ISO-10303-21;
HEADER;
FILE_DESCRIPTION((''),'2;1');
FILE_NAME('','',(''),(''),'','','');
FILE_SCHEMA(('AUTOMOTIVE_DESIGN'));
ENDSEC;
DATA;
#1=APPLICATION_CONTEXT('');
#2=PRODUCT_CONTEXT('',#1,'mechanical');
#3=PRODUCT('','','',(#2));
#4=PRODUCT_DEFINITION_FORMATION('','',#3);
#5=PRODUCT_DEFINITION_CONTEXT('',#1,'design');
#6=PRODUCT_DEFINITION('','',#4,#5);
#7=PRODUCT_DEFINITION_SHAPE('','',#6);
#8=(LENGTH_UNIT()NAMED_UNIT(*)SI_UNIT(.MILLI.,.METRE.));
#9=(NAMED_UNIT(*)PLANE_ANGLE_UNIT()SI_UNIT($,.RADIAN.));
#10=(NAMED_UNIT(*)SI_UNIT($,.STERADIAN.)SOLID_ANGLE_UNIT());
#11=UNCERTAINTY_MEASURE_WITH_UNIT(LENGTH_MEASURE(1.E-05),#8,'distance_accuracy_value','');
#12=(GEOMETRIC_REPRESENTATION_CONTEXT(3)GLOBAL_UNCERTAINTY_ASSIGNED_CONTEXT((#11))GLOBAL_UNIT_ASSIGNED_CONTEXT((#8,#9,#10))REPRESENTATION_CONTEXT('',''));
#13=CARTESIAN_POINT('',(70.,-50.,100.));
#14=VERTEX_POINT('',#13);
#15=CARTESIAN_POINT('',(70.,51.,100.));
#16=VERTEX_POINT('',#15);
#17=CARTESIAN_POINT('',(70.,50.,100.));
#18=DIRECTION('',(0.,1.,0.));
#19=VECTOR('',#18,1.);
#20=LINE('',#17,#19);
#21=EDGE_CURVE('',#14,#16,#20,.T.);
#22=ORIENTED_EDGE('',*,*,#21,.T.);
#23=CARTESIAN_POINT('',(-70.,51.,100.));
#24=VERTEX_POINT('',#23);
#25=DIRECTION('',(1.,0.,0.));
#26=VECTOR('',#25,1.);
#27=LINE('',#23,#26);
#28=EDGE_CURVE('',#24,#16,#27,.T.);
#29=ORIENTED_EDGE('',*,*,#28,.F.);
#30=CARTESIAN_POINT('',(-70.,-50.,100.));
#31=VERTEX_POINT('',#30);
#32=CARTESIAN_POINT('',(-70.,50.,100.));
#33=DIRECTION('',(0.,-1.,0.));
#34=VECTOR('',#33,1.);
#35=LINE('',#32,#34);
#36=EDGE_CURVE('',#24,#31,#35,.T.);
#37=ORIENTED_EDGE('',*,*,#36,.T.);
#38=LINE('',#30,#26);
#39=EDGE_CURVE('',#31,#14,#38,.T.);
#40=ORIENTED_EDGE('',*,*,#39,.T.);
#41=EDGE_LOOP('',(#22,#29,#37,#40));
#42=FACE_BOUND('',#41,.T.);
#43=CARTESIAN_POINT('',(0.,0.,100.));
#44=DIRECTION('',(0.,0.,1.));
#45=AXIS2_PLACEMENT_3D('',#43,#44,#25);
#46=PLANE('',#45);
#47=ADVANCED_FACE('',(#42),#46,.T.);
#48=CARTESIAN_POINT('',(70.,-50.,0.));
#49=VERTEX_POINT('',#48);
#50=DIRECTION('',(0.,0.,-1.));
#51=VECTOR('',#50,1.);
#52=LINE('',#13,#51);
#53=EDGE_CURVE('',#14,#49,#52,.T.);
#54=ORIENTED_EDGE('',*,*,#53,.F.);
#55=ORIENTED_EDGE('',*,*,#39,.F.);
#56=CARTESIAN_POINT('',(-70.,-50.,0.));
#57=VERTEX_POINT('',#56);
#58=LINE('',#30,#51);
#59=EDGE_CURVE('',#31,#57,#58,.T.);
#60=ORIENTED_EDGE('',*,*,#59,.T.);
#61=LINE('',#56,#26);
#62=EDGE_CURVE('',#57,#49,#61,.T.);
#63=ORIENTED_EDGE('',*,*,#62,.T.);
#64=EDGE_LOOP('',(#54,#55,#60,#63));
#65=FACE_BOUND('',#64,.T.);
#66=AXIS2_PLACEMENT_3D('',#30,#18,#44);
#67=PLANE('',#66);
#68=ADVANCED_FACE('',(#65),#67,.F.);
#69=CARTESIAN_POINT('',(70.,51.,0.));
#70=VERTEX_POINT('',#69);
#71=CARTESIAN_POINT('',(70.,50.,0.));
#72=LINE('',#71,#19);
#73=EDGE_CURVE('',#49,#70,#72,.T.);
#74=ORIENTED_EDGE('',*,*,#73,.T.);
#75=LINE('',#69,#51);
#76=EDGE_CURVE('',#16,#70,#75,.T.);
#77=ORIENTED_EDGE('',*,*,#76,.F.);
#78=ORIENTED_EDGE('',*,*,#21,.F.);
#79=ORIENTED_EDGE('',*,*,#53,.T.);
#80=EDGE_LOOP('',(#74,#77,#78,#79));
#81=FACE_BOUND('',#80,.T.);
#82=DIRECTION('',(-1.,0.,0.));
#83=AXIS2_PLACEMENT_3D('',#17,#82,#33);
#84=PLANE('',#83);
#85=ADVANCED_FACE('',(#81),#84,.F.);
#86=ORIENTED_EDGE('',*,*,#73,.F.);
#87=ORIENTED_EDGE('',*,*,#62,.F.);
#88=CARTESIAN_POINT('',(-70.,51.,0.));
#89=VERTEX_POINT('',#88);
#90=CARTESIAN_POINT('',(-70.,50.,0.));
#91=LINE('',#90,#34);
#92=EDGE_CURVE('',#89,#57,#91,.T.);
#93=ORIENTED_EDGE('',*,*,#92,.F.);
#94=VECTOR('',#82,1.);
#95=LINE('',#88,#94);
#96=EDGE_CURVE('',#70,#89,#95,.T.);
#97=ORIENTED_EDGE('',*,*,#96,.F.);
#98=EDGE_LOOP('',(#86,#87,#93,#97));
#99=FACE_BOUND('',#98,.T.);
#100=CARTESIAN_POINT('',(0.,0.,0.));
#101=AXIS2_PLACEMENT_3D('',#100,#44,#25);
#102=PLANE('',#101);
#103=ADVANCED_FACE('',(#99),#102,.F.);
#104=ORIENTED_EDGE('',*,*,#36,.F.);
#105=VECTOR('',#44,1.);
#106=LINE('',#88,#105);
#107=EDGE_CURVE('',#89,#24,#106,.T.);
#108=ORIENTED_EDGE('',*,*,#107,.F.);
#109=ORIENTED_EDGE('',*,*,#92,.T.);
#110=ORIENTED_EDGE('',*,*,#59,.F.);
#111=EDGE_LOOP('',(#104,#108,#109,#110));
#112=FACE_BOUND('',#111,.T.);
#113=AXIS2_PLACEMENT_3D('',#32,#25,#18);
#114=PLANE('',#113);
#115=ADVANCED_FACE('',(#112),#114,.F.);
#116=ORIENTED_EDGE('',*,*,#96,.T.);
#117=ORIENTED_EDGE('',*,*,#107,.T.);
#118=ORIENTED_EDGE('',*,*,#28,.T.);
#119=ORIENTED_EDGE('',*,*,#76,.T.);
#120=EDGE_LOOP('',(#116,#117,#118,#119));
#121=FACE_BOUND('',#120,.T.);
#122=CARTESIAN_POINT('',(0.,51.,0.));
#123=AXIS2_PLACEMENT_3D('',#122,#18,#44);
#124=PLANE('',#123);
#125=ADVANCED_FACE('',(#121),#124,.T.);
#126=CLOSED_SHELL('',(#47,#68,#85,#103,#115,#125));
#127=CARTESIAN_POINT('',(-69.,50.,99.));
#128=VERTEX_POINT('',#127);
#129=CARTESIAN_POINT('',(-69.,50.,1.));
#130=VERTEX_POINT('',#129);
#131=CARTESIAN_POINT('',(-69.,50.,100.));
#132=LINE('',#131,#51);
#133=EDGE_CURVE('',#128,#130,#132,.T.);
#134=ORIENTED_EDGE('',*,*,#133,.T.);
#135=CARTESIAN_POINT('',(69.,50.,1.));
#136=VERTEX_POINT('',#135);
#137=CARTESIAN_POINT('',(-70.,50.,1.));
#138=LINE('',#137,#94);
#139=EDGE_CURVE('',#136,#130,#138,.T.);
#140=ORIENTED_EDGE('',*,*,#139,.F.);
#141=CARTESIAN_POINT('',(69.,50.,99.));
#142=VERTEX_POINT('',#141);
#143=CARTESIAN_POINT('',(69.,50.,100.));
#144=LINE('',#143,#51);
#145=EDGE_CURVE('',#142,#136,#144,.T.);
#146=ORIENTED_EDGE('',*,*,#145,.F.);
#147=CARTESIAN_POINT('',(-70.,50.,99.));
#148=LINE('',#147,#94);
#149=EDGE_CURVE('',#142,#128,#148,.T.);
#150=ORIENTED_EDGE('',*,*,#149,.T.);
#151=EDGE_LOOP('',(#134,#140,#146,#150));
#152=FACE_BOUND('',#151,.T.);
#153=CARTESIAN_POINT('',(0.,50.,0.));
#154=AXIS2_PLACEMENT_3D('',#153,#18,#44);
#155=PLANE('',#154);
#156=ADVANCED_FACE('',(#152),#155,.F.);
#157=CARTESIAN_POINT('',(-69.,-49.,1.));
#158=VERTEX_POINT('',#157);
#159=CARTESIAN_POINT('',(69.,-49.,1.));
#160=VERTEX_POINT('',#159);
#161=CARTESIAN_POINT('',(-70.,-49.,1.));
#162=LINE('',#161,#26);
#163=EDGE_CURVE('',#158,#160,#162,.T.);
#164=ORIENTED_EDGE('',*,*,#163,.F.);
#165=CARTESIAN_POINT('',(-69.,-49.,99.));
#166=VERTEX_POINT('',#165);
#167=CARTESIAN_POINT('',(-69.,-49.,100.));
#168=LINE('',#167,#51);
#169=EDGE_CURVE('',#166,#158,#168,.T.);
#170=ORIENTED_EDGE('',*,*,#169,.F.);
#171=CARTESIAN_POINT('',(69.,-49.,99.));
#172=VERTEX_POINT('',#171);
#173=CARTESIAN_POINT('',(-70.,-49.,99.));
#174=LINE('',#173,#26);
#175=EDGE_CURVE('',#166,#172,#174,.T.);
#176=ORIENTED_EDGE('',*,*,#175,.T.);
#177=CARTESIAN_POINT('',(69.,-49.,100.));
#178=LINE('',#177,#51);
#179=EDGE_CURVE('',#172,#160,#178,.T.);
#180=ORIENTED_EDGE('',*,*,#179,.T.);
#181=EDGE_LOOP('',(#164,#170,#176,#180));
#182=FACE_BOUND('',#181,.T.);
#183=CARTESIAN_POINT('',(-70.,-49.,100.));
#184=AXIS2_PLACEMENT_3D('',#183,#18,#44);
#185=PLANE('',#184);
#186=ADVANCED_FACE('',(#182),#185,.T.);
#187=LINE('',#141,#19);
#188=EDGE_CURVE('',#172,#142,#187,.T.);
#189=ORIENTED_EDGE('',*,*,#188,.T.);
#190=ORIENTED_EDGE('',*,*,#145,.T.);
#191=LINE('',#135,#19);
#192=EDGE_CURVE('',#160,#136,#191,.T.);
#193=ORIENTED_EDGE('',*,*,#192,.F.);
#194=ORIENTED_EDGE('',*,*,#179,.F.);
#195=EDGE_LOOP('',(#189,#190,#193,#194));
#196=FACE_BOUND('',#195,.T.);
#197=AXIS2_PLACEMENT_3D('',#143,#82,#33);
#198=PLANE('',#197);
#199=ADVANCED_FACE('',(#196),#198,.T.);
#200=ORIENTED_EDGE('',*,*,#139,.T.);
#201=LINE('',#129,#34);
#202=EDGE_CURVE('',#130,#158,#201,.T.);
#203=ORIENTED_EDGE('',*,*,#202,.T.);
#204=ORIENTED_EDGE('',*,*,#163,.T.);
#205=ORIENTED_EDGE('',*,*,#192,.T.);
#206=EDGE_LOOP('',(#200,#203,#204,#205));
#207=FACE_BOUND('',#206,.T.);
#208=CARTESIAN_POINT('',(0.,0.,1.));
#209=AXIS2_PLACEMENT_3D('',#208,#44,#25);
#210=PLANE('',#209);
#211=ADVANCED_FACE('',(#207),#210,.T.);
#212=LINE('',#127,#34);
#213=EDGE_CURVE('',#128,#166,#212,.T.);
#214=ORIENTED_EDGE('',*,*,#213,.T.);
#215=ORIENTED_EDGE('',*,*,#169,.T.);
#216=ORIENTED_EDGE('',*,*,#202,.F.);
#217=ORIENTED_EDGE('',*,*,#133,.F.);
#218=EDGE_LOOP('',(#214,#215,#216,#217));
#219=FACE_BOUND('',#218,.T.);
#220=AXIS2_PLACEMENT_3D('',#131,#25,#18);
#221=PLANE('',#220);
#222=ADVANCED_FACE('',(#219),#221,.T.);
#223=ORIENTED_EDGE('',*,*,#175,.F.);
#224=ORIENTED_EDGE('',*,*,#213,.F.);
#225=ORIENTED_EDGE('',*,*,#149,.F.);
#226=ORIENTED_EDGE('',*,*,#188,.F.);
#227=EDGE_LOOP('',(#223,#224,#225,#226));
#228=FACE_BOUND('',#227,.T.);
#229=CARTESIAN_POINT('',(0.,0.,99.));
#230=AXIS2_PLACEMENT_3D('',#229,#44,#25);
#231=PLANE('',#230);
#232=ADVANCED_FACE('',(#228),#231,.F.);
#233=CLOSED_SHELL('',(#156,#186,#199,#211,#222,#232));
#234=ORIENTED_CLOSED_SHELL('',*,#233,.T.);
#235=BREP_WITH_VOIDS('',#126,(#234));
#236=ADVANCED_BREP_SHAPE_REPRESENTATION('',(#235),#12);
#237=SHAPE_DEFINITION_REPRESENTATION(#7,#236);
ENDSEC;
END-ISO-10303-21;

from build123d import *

# Parameters (mm, degrees)
SKETCH1_W           = 140
SKETCH1_H           = 100
BOSS_EXTRUDE1_DEPTH = 100
SHELL1_T            = -1
SKETCH2_W           = 140
SKETCH2_H           = 100
BOSS_EXTRUDE2_DEPTH = 1


with BuildPart() as part:
    # Sketch1 → Boss-Extrude1 (new body)
    with BuildSketch(Plane.XY):
        Rectangle(SKETCH1_W, SKETCH1_H)
    extrude(amount=BOSS_EXTRUDE1_DEPTH)

    # Shell1
    shell1_openings = [part.faces().sort_by_distance(p)[0] for p in [
        (0, 50, 50),
    ]]
    offset(amount=SHELL1_T, openings=shell1_openings, kind=Kind.INTERSECTION)

    # Sketch2 → Boss-Extrude2 (add)
    with BuildSketch(Plane(origin=(0, 50, 0), x_dir=(1, 0, 0), z_dir=(0, 1, 0))):
        with Locations((0, -50)):
            Rectangle(SKETCH2_W, SKETCH2_H)
    extrude(amount=BOSS_EXTRUDE2_DEPTH)


solid = part.part
